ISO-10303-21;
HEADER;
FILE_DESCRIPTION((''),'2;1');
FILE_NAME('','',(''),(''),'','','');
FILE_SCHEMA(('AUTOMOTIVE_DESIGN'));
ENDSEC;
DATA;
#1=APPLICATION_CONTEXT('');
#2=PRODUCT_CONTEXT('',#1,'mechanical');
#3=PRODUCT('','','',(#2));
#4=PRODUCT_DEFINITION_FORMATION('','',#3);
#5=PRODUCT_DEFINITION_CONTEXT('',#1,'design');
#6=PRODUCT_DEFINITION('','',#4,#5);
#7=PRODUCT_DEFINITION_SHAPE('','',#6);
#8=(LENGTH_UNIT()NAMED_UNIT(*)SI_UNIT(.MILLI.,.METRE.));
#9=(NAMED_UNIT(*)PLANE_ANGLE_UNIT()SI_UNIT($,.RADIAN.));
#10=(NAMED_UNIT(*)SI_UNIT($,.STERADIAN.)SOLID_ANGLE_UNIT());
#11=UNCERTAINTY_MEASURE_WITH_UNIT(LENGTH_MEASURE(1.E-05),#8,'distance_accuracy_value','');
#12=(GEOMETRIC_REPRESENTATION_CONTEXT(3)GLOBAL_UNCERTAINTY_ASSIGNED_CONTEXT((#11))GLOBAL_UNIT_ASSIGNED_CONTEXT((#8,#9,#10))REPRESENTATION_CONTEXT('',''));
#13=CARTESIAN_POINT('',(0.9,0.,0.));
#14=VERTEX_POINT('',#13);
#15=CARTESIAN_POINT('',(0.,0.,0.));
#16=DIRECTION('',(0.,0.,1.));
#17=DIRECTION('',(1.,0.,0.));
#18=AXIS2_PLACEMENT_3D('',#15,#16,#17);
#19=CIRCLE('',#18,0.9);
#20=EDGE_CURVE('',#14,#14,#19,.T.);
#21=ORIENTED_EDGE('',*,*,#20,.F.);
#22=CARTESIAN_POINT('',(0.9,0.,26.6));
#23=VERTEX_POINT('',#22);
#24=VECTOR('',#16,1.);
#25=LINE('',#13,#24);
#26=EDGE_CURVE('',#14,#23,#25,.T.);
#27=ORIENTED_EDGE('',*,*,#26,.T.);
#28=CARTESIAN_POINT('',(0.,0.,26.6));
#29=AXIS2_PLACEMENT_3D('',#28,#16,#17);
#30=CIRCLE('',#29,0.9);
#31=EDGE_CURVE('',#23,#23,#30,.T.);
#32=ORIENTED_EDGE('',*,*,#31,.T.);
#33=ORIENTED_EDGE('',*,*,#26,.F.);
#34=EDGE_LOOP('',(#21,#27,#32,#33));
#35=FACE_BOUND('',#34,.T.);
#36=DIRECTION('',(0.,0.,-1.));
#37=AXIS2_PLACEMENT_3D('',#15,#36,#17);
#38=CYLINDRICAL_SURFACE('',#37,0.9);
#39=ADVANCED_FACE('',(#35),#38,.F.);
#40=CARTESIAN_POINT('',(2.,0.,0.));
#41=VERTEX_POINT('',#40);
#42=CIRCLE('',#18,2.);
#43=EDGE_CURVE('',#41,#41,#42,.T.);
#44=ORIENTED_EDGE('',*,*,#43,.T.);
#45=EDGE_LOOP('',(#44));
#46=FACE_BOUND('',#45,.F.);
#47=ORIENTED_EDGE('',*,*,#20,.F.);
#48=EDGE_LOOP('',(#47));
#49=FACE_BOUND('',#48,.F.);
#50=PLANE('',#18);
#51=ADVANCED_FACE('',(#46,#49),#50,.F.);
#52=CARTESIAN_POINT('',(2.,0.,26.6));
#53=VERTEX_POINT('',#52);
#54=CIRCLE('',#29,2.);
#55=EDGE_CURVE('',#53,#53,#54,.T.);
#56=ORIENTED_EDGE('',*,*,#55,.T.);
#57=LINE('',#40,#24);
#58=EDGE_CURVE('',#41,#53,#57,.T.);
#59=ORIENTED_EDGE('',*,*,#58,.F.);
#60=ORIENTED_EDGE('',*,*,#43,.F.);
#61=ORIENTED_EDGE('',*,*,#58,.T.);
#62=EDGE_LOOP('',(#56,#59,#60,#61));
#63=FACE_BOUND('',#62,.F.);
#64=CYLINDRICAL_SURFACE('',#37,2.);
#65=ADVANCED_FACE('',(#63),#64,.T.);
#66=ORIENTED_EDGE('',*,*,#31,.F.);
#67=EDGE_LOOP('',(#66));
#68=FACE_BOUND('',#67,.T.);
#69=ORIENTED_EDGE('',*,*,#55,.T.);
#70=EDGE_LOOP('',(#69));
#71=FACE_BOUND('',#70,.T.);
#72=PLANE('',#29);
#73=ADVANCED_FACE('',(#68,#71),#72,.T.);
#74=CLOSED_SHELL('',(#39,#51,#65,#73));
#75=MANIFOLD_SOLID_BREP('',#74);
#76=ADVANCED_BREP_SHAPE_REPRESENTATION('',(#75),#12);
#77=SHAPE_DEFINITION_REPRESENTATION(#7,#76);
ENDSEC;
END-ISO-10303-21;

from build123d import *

# Parameters (mm, degrees)
CYLINDER001_R     = 0.9
CYLINDER001_DEPTH = 26.6
CYLINDER_R        = 2
CYLINDER_DEPTH    = 26.6


with BuildPart() as zylinder001:
    # Cylinder001 → Cylinder001 (new body)
    with BuildSketch(Plane.XY):
        Circle(CYLINDER001_R)
    extrude(amount=CYLINDER001_DEPTH)


with BuildPart() as cut:
    # Cylinder → Cylinder (new body)
    with BuildSketch(Plane.XY):
        Circle(CYLINDER_R)
    extrude(amount=CYLINDER_DEPTH)

    # Cut: cut Zylinder001
    add(zylinder001.part, mode=Mode.SUBTRACT)


solid = cut.part
